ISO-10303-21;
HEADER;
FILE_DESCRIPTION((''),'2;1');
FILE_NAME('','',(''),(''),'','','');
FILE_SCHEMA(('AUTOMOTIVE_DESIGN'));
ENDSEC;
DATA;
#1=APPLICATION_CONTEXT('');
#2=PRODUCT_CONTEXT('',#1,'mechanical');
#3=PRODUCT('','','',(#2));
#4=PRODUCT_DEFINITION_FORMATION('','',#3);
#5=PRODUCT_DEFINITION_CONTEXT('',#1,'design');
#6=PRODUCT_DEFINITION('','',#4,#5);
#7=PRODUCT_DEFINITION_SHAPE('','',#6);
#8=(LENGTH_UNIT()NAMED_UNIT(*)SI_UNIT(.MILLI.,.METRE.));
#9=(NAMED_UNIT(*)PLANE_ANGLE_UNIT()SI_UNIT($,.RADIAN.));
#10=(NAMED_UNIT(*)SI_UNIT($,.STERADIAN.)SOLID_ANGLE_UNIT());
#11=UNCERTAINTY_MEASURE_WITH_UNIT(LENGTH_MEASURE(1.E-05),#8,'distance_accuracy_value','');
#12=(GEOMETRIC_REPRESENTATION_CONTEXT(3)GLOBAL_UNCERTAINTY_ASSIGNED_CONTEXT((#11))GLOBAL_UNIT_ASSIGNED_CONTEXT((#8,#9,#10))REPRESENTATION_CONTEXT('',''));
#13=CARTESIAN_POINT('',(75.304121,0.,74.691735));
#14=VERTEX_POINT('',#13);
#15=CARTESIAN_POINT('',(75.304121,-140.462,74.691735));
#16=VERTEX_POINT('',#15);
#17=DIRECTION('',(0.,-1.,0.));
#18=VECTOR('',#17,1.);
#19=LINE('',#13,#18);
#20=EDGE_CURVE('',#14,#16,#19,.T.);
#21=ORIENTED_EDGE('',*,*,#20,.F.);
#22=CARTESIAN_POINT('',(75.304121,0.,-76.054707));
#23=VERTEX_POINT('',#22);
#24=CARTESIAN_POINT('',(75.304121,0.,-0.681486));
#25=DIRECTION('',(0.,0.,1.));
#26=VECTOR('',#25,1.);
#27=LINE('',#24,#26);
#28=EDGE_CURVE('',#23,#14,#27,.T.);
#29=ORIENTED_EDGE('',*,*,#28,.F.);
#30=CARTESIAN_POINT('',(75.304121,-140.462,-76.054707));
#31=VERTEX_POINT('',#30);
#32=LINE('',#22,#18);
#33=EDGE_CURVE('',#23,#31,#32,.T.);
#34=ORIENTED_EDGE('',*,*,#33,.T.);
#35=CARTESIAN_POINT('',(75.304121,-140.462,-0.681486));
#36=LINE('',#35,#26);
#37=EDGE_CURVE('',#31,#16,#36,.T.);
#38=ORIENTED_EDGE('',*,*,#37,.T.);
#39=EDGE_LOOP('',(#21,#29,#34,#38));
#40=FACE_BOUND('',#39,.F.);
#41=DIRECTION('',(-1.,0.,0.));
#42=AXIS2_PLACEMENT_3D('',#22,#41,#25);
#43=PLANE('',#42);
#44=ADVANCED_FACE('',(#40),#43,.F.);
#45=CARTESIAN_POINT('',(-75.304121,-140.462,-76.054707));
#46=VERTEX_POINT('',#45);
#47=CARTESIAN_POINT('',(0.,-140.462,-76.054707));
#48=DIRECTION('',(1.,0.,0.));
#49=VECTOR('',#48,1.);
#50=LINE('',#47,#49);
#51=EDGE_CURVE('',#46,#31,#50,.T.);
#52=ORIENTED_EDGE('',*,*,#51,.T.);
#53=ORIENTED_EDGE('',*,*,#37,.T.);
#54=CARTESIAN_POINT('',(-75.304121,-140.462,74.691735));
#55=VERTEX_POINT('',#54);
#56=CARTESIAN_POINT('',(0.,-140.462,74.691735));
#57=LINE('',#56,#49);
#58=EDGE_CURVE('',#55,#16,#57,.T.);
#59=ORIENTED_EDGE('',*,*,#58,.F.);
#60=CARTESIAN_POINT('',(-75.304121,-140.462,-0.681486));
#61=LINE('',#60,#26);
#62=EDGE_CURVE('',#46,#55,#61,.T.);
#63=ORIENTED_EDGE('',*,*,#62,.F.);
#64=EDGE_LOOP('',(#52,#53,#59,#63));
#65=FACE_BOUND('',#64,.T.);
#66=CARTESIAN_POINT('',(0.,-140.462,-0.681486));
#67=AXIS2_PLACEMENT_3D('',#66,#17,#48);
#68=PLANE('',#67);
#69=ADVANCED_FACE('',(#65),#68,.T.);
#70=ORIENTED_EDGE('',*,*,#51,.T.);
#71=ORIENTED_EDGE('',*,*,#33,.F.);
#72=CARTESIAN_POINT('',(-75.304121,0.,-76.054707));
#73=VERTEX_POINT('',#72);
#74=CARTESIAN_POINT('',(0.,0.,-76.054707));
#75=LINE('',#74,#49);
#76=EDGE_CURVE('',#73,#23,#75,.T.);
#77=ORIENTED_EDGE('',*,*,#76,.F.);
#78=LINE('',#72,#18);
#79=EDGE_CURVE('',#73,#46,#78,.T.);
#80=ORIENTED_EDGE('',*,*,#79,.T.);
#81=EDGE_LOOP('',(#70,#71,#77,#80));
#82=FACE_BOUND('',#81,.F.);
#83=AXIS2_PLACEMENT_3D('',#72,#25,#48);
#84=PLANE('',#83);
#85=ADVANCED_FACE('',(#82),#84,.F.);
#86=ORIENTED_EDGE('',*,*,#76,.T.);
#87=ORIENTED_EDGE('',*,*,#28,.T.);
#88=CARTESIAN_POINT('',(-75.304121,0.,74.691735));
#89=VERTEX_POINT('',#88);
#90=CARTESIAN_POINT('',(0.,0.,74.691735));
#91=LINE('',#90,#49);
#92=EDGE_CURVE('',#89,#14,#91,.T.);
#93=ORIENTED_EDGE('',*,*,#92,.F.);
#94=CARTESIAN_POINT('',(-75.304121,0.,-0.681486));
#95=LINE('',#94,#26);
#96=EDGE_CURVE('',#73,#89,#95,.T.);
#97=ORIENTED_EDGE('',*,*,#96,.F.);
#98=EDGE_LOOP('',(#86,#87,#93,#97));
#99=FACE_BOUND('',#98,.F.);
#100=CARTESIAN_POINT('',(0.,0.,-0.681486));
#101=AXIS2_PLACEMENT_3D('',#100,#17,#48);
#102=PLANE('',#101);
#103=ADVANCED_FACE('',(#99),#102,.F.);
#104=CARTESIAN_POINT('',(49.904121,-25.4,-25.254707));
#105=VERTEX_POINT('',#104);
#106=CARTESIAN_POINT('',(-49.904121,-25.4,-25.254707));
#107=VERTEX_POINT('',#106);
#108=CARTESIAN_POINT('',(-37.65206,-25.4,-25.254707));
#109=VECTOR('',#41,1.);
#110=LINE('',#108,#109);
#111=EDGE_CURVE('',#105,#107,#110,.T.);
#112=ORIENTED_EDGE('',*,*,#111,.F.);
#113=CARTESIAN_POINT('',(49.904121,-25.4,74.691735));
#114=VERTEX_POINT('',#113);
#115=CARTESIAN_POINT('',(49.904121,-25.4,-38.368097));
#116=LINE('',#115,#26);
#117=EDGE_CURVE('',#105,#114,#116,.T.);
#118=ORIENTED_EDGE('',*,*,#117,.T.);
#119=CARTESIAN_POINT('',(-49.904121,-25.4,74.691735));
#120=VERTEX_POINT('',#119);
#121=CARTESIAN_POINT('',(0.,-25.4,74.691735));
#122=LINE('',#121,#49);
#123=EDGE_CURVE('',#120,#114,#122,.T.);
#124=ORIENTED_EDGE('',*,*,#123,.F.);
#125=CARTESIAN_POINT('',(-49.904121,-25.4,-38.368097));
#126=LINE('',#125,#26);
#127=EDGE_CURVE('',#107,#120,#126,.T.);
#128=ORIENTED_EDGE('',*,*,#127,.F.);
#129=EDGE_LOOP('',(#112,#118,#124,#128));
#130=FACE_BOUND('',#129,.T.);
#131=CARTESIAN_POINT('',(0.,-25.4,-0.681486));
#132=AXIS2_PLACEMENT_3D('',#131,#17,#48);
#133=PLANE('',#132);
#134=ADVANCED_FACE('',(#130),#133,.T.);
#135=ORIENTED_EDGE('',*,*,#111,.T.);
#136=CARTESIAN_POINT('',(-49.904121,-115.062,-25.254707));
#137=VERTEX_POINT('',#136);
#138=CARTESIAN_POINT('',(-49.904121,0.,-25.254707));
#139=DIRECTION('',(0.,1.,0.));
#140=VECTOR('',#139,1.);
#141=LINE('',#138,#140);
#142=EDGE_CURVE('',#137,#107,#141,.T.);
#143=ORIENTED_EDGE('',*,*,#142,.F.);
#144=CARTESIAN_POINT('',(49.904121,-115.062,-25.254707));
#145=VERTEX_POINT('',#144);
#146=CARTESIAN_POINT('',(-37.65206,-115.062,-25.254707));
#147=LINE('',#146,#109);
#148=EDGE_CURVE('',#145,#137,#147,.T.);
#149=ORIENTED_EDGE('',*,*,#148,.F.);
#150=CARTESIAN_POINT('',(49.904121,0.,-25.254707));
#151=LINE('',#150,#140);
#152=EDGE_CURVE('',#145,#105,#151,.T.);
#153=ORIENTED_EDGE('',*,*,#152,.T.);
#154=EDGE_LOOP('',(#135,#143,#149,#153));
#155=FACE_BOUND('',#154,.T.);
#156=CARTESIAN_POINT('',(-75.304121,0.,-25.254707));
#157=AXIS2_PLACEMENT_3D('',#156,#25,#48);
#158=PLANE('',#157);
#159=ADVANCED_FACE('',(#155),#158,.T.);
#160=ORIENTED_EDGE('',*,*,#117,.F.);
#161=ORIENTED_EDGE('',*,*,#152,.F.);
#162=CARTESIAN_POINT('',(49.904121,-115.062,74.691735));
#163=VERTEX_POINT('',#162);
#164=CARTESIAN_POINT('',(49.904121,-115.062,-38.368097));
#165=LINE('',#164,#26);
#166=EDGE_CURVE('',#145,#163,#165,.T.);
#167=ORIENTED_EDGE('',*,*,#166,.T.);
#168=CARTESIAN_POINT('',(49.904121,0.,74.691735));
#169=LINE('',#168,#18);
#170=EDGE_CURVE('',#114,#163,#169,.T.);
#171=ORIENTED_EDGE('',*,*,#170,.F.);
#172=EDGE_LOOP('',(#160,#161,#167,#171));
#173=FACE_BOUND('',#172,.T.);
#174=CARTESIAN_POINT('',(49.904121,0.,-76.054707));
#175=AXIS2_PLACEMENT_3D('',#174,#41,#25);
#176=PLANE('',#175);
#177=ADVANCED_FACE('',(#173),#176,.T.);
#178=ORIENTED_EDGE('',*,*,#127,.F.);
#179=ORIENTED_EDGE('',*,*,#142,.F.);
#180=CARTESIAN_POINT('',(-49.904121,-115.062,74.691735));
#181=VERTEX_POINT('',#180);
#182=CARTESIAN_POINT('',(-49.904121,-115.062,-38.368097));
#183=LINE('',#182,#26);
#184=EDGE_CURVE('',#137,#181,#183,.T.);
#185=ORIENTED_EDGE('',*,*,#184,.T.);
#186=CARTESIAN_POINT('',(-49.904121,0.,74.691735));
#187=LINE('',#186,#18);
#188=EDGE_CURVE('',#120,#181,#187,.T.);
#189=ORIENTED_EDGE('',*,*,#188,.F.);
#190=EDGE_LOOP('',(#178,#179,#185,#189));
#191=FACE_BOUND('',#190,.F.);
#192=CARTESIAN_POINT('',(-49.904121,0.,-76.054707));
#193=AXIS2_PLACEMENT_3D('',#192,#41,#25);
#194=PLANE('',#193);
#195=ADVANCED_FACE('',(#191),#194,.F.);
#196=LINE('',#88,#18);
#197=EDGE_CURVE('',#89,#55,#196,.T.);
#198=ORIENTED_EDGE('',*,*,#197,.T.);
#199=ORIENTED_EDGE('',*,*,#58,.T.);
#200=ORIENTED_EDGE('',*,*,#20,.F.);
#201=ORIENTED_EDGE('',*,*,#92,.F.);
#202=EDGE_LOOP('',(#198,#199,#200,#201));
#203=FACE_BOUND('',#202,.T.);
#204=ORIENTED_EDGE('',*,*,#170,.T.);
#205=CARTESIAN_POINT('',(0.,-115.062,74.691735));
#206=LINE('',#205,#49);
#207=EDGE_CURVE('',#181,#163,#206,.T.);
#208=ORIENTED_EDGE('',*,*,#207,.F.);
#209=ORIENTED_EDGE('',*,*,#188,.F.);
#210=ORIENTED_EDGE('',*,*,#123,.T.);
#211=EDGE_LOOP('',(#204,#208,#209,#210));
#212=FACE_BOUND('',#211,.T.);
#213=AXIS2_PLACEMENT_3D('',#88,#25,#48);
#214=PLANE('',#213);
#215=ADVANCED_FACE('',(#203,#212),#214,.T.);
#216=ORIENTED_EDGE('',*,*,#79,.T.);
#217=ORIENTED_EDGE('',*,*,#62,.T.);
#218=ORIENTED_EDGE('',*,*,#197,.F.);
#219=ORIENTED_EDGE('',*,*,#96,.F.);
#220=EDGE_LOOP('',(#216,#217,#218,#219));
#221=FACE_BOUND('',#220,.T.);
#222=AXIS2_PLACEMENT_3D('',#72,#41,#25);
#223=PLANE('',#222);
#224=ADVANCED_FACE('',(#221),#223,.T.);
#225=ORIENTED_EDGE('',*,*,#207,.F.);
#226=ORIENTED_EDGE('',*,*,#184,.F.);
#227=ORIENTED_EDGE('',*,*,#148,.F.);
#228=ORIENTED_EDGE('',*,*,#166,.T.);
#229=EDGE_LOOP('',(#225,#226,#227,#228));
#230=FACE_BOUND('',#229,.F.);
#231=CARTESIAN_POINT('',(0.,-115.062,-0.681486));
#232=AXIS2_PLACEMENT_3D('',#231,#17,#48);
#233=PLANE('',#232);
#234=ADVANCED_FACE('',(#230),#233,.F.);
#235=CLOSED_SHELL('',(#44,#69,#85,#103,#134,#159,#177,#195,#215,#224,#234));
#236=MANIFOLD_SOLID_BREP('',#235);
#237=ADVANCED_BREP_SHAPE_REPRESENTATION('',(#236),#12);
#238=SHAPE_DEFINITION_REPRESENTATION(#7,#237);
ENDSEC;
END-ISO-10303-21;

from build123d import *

# Parameters (mm, degrees)
F0_W     = 150.6082415581
F0_H     = 150.7464423776
F1_DEPTH = 140.462
F2_T     = -25.4
F3_DEPTH = 25.4


with BuildPart() as f1:
    # F0 (on Front) → F1 (new body)
    with BuildSketch(Plane.XZ):
        with Locations((0, -0.6814859807)):
            Rectangle(F0_W, F0_H)
    extrude(amount=F1_DEPTH)

    # F2
    f2_openings = [f1.faces().sort_by_distance(p)[0] for p in [
        (0, -70.231, 74.691735),
    ]]
    offset(amount=F2_T, openings=f2_openings)

    # F3 (add): a face of the model
    f3_faces = [f1.faces().sort_by_distance(p)[0] for p in [
        (0, -70.231, -50.6547071695),
    ]]
    extrude(f3_faces, amount=F3_DEPTH)


solid = f1.part
